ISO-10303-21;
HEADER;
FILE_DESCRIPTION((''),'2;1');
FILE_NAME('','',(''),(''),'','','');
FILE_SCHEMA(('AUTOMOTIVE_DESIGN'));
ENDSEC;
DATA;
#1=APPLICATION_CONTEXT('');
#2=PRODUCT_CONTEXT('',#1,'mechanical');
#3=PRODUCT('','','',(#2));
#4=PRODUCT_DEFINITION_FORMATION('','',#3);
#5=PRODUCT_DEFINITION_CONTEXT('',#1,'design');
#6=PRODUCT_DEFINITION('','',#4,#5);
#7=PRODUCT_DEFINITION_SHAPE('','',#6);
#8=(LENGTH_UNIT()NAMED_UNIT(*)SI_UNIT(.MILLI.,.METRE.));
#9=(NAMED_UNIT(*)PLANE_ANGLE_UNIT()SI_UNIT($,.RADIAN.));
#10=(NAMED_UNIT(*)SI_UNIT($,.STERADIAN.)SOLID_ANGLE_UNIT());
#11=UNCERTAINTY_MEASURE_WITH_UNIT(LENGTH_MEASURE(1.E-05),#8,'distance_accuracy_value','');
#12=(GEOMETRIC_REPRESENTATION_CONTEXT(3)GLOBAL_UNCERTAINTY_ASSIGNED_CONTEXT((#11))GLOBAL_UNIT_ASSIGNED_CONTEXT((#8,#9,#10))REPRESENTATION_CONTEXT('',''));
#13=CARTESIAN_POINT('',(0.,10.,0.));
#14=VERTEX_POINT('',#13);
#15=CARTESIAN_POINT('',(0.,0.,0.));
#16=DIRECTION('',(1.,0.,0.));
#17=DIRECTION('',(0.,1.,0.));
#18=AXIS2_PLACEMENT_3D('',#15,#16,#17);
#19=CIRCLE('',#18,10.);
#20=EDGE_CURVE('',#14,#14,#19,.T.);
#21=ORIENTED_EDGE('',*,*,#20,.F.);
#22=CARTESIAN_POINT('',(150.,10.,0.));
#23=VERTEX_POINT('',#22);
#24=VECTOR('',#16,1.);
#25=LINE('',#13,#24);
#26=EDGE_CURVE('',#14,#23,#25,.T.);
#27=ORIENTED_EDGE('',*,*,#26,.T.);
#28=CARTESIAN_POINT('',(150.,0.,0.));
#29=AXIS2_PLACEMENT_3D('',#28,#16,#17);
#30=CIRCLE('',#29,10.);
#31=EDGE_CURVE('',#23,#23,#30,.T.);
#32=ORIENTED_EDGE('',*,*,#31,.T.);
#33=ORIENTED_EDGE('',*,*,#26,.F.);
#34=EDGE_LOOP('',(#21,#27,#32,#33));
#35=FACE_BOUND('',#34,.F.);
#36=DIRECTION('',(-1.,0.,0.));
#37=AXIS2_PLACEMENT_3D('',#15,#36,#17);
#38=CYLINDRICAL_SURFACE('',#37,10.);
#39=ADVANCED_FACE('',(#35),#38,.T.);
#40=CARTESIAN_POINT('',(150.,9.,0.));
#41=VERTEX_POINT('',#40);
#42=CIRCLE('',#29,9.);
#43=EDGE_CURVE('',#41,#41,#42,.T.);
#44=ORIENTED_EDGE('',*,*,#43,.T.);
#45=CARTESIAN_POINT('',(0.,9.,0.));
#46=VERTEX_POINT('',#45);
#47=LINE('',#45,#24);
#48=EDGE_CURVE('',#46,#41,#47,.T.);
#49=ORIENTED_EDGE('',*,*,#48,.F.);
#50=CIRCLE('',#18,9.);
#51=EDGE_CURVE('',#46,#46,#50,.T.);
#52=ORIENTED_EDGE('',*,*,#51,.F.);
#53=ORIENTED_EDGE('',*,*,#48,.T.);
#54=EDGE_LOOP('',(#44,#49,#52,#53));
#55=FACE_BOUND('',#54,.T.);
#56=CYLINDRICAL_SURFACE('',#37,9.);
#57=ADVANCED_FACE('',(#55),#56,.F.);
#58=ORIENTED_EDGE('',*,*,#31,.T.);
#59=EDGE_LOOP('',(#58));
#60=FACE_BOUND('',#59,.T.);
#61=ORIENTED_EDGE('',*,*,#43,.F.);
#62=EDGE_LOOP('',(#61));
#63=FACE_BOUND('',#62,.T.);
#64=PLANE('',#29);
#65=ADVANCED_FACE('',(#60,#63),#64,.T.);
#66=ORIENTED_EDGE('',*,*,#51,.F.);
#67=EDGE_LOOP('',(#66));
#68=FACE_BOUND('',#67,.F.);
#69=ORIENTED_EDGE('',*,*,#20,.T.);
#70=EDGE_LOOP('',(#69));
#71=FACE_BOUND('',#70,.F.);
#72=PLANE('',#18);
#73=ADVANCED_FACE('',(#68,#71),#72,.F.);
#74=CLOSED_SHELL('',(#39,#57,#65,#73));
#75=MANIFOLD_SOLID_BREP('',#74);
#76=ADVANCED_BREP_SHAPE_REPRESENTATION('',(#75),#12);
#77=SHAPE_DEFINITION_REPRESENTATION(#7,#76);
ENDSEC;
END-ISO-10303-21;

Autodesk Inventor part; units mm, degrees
ref_plane "YZ Plane" through (0, 0, 0) normal (1, 0, 0) x (0, 1, 0)
ref_plane "XZ Plane" through (0, 0, 0) normal (0, 1, 0) x (-1, 0, 0)
ref_plane "XY Plane" through (0, 0, 0) normal (0, 0, 1) x (1, 0, 0)
sketch "Sketch1" plane through (0, 0, 0) normal (1, 0, 0) x (0, 1, 0)
  circle A0 centre (0, 0) radius 10
  circle A1 centre (0, 0) radius 9
  dimension "d0" = 20
  dimension "d1" = 1
extrude "Extrusion1" add sketch "Sketch1" along normal blind 150
properties part number "Sleeve"
